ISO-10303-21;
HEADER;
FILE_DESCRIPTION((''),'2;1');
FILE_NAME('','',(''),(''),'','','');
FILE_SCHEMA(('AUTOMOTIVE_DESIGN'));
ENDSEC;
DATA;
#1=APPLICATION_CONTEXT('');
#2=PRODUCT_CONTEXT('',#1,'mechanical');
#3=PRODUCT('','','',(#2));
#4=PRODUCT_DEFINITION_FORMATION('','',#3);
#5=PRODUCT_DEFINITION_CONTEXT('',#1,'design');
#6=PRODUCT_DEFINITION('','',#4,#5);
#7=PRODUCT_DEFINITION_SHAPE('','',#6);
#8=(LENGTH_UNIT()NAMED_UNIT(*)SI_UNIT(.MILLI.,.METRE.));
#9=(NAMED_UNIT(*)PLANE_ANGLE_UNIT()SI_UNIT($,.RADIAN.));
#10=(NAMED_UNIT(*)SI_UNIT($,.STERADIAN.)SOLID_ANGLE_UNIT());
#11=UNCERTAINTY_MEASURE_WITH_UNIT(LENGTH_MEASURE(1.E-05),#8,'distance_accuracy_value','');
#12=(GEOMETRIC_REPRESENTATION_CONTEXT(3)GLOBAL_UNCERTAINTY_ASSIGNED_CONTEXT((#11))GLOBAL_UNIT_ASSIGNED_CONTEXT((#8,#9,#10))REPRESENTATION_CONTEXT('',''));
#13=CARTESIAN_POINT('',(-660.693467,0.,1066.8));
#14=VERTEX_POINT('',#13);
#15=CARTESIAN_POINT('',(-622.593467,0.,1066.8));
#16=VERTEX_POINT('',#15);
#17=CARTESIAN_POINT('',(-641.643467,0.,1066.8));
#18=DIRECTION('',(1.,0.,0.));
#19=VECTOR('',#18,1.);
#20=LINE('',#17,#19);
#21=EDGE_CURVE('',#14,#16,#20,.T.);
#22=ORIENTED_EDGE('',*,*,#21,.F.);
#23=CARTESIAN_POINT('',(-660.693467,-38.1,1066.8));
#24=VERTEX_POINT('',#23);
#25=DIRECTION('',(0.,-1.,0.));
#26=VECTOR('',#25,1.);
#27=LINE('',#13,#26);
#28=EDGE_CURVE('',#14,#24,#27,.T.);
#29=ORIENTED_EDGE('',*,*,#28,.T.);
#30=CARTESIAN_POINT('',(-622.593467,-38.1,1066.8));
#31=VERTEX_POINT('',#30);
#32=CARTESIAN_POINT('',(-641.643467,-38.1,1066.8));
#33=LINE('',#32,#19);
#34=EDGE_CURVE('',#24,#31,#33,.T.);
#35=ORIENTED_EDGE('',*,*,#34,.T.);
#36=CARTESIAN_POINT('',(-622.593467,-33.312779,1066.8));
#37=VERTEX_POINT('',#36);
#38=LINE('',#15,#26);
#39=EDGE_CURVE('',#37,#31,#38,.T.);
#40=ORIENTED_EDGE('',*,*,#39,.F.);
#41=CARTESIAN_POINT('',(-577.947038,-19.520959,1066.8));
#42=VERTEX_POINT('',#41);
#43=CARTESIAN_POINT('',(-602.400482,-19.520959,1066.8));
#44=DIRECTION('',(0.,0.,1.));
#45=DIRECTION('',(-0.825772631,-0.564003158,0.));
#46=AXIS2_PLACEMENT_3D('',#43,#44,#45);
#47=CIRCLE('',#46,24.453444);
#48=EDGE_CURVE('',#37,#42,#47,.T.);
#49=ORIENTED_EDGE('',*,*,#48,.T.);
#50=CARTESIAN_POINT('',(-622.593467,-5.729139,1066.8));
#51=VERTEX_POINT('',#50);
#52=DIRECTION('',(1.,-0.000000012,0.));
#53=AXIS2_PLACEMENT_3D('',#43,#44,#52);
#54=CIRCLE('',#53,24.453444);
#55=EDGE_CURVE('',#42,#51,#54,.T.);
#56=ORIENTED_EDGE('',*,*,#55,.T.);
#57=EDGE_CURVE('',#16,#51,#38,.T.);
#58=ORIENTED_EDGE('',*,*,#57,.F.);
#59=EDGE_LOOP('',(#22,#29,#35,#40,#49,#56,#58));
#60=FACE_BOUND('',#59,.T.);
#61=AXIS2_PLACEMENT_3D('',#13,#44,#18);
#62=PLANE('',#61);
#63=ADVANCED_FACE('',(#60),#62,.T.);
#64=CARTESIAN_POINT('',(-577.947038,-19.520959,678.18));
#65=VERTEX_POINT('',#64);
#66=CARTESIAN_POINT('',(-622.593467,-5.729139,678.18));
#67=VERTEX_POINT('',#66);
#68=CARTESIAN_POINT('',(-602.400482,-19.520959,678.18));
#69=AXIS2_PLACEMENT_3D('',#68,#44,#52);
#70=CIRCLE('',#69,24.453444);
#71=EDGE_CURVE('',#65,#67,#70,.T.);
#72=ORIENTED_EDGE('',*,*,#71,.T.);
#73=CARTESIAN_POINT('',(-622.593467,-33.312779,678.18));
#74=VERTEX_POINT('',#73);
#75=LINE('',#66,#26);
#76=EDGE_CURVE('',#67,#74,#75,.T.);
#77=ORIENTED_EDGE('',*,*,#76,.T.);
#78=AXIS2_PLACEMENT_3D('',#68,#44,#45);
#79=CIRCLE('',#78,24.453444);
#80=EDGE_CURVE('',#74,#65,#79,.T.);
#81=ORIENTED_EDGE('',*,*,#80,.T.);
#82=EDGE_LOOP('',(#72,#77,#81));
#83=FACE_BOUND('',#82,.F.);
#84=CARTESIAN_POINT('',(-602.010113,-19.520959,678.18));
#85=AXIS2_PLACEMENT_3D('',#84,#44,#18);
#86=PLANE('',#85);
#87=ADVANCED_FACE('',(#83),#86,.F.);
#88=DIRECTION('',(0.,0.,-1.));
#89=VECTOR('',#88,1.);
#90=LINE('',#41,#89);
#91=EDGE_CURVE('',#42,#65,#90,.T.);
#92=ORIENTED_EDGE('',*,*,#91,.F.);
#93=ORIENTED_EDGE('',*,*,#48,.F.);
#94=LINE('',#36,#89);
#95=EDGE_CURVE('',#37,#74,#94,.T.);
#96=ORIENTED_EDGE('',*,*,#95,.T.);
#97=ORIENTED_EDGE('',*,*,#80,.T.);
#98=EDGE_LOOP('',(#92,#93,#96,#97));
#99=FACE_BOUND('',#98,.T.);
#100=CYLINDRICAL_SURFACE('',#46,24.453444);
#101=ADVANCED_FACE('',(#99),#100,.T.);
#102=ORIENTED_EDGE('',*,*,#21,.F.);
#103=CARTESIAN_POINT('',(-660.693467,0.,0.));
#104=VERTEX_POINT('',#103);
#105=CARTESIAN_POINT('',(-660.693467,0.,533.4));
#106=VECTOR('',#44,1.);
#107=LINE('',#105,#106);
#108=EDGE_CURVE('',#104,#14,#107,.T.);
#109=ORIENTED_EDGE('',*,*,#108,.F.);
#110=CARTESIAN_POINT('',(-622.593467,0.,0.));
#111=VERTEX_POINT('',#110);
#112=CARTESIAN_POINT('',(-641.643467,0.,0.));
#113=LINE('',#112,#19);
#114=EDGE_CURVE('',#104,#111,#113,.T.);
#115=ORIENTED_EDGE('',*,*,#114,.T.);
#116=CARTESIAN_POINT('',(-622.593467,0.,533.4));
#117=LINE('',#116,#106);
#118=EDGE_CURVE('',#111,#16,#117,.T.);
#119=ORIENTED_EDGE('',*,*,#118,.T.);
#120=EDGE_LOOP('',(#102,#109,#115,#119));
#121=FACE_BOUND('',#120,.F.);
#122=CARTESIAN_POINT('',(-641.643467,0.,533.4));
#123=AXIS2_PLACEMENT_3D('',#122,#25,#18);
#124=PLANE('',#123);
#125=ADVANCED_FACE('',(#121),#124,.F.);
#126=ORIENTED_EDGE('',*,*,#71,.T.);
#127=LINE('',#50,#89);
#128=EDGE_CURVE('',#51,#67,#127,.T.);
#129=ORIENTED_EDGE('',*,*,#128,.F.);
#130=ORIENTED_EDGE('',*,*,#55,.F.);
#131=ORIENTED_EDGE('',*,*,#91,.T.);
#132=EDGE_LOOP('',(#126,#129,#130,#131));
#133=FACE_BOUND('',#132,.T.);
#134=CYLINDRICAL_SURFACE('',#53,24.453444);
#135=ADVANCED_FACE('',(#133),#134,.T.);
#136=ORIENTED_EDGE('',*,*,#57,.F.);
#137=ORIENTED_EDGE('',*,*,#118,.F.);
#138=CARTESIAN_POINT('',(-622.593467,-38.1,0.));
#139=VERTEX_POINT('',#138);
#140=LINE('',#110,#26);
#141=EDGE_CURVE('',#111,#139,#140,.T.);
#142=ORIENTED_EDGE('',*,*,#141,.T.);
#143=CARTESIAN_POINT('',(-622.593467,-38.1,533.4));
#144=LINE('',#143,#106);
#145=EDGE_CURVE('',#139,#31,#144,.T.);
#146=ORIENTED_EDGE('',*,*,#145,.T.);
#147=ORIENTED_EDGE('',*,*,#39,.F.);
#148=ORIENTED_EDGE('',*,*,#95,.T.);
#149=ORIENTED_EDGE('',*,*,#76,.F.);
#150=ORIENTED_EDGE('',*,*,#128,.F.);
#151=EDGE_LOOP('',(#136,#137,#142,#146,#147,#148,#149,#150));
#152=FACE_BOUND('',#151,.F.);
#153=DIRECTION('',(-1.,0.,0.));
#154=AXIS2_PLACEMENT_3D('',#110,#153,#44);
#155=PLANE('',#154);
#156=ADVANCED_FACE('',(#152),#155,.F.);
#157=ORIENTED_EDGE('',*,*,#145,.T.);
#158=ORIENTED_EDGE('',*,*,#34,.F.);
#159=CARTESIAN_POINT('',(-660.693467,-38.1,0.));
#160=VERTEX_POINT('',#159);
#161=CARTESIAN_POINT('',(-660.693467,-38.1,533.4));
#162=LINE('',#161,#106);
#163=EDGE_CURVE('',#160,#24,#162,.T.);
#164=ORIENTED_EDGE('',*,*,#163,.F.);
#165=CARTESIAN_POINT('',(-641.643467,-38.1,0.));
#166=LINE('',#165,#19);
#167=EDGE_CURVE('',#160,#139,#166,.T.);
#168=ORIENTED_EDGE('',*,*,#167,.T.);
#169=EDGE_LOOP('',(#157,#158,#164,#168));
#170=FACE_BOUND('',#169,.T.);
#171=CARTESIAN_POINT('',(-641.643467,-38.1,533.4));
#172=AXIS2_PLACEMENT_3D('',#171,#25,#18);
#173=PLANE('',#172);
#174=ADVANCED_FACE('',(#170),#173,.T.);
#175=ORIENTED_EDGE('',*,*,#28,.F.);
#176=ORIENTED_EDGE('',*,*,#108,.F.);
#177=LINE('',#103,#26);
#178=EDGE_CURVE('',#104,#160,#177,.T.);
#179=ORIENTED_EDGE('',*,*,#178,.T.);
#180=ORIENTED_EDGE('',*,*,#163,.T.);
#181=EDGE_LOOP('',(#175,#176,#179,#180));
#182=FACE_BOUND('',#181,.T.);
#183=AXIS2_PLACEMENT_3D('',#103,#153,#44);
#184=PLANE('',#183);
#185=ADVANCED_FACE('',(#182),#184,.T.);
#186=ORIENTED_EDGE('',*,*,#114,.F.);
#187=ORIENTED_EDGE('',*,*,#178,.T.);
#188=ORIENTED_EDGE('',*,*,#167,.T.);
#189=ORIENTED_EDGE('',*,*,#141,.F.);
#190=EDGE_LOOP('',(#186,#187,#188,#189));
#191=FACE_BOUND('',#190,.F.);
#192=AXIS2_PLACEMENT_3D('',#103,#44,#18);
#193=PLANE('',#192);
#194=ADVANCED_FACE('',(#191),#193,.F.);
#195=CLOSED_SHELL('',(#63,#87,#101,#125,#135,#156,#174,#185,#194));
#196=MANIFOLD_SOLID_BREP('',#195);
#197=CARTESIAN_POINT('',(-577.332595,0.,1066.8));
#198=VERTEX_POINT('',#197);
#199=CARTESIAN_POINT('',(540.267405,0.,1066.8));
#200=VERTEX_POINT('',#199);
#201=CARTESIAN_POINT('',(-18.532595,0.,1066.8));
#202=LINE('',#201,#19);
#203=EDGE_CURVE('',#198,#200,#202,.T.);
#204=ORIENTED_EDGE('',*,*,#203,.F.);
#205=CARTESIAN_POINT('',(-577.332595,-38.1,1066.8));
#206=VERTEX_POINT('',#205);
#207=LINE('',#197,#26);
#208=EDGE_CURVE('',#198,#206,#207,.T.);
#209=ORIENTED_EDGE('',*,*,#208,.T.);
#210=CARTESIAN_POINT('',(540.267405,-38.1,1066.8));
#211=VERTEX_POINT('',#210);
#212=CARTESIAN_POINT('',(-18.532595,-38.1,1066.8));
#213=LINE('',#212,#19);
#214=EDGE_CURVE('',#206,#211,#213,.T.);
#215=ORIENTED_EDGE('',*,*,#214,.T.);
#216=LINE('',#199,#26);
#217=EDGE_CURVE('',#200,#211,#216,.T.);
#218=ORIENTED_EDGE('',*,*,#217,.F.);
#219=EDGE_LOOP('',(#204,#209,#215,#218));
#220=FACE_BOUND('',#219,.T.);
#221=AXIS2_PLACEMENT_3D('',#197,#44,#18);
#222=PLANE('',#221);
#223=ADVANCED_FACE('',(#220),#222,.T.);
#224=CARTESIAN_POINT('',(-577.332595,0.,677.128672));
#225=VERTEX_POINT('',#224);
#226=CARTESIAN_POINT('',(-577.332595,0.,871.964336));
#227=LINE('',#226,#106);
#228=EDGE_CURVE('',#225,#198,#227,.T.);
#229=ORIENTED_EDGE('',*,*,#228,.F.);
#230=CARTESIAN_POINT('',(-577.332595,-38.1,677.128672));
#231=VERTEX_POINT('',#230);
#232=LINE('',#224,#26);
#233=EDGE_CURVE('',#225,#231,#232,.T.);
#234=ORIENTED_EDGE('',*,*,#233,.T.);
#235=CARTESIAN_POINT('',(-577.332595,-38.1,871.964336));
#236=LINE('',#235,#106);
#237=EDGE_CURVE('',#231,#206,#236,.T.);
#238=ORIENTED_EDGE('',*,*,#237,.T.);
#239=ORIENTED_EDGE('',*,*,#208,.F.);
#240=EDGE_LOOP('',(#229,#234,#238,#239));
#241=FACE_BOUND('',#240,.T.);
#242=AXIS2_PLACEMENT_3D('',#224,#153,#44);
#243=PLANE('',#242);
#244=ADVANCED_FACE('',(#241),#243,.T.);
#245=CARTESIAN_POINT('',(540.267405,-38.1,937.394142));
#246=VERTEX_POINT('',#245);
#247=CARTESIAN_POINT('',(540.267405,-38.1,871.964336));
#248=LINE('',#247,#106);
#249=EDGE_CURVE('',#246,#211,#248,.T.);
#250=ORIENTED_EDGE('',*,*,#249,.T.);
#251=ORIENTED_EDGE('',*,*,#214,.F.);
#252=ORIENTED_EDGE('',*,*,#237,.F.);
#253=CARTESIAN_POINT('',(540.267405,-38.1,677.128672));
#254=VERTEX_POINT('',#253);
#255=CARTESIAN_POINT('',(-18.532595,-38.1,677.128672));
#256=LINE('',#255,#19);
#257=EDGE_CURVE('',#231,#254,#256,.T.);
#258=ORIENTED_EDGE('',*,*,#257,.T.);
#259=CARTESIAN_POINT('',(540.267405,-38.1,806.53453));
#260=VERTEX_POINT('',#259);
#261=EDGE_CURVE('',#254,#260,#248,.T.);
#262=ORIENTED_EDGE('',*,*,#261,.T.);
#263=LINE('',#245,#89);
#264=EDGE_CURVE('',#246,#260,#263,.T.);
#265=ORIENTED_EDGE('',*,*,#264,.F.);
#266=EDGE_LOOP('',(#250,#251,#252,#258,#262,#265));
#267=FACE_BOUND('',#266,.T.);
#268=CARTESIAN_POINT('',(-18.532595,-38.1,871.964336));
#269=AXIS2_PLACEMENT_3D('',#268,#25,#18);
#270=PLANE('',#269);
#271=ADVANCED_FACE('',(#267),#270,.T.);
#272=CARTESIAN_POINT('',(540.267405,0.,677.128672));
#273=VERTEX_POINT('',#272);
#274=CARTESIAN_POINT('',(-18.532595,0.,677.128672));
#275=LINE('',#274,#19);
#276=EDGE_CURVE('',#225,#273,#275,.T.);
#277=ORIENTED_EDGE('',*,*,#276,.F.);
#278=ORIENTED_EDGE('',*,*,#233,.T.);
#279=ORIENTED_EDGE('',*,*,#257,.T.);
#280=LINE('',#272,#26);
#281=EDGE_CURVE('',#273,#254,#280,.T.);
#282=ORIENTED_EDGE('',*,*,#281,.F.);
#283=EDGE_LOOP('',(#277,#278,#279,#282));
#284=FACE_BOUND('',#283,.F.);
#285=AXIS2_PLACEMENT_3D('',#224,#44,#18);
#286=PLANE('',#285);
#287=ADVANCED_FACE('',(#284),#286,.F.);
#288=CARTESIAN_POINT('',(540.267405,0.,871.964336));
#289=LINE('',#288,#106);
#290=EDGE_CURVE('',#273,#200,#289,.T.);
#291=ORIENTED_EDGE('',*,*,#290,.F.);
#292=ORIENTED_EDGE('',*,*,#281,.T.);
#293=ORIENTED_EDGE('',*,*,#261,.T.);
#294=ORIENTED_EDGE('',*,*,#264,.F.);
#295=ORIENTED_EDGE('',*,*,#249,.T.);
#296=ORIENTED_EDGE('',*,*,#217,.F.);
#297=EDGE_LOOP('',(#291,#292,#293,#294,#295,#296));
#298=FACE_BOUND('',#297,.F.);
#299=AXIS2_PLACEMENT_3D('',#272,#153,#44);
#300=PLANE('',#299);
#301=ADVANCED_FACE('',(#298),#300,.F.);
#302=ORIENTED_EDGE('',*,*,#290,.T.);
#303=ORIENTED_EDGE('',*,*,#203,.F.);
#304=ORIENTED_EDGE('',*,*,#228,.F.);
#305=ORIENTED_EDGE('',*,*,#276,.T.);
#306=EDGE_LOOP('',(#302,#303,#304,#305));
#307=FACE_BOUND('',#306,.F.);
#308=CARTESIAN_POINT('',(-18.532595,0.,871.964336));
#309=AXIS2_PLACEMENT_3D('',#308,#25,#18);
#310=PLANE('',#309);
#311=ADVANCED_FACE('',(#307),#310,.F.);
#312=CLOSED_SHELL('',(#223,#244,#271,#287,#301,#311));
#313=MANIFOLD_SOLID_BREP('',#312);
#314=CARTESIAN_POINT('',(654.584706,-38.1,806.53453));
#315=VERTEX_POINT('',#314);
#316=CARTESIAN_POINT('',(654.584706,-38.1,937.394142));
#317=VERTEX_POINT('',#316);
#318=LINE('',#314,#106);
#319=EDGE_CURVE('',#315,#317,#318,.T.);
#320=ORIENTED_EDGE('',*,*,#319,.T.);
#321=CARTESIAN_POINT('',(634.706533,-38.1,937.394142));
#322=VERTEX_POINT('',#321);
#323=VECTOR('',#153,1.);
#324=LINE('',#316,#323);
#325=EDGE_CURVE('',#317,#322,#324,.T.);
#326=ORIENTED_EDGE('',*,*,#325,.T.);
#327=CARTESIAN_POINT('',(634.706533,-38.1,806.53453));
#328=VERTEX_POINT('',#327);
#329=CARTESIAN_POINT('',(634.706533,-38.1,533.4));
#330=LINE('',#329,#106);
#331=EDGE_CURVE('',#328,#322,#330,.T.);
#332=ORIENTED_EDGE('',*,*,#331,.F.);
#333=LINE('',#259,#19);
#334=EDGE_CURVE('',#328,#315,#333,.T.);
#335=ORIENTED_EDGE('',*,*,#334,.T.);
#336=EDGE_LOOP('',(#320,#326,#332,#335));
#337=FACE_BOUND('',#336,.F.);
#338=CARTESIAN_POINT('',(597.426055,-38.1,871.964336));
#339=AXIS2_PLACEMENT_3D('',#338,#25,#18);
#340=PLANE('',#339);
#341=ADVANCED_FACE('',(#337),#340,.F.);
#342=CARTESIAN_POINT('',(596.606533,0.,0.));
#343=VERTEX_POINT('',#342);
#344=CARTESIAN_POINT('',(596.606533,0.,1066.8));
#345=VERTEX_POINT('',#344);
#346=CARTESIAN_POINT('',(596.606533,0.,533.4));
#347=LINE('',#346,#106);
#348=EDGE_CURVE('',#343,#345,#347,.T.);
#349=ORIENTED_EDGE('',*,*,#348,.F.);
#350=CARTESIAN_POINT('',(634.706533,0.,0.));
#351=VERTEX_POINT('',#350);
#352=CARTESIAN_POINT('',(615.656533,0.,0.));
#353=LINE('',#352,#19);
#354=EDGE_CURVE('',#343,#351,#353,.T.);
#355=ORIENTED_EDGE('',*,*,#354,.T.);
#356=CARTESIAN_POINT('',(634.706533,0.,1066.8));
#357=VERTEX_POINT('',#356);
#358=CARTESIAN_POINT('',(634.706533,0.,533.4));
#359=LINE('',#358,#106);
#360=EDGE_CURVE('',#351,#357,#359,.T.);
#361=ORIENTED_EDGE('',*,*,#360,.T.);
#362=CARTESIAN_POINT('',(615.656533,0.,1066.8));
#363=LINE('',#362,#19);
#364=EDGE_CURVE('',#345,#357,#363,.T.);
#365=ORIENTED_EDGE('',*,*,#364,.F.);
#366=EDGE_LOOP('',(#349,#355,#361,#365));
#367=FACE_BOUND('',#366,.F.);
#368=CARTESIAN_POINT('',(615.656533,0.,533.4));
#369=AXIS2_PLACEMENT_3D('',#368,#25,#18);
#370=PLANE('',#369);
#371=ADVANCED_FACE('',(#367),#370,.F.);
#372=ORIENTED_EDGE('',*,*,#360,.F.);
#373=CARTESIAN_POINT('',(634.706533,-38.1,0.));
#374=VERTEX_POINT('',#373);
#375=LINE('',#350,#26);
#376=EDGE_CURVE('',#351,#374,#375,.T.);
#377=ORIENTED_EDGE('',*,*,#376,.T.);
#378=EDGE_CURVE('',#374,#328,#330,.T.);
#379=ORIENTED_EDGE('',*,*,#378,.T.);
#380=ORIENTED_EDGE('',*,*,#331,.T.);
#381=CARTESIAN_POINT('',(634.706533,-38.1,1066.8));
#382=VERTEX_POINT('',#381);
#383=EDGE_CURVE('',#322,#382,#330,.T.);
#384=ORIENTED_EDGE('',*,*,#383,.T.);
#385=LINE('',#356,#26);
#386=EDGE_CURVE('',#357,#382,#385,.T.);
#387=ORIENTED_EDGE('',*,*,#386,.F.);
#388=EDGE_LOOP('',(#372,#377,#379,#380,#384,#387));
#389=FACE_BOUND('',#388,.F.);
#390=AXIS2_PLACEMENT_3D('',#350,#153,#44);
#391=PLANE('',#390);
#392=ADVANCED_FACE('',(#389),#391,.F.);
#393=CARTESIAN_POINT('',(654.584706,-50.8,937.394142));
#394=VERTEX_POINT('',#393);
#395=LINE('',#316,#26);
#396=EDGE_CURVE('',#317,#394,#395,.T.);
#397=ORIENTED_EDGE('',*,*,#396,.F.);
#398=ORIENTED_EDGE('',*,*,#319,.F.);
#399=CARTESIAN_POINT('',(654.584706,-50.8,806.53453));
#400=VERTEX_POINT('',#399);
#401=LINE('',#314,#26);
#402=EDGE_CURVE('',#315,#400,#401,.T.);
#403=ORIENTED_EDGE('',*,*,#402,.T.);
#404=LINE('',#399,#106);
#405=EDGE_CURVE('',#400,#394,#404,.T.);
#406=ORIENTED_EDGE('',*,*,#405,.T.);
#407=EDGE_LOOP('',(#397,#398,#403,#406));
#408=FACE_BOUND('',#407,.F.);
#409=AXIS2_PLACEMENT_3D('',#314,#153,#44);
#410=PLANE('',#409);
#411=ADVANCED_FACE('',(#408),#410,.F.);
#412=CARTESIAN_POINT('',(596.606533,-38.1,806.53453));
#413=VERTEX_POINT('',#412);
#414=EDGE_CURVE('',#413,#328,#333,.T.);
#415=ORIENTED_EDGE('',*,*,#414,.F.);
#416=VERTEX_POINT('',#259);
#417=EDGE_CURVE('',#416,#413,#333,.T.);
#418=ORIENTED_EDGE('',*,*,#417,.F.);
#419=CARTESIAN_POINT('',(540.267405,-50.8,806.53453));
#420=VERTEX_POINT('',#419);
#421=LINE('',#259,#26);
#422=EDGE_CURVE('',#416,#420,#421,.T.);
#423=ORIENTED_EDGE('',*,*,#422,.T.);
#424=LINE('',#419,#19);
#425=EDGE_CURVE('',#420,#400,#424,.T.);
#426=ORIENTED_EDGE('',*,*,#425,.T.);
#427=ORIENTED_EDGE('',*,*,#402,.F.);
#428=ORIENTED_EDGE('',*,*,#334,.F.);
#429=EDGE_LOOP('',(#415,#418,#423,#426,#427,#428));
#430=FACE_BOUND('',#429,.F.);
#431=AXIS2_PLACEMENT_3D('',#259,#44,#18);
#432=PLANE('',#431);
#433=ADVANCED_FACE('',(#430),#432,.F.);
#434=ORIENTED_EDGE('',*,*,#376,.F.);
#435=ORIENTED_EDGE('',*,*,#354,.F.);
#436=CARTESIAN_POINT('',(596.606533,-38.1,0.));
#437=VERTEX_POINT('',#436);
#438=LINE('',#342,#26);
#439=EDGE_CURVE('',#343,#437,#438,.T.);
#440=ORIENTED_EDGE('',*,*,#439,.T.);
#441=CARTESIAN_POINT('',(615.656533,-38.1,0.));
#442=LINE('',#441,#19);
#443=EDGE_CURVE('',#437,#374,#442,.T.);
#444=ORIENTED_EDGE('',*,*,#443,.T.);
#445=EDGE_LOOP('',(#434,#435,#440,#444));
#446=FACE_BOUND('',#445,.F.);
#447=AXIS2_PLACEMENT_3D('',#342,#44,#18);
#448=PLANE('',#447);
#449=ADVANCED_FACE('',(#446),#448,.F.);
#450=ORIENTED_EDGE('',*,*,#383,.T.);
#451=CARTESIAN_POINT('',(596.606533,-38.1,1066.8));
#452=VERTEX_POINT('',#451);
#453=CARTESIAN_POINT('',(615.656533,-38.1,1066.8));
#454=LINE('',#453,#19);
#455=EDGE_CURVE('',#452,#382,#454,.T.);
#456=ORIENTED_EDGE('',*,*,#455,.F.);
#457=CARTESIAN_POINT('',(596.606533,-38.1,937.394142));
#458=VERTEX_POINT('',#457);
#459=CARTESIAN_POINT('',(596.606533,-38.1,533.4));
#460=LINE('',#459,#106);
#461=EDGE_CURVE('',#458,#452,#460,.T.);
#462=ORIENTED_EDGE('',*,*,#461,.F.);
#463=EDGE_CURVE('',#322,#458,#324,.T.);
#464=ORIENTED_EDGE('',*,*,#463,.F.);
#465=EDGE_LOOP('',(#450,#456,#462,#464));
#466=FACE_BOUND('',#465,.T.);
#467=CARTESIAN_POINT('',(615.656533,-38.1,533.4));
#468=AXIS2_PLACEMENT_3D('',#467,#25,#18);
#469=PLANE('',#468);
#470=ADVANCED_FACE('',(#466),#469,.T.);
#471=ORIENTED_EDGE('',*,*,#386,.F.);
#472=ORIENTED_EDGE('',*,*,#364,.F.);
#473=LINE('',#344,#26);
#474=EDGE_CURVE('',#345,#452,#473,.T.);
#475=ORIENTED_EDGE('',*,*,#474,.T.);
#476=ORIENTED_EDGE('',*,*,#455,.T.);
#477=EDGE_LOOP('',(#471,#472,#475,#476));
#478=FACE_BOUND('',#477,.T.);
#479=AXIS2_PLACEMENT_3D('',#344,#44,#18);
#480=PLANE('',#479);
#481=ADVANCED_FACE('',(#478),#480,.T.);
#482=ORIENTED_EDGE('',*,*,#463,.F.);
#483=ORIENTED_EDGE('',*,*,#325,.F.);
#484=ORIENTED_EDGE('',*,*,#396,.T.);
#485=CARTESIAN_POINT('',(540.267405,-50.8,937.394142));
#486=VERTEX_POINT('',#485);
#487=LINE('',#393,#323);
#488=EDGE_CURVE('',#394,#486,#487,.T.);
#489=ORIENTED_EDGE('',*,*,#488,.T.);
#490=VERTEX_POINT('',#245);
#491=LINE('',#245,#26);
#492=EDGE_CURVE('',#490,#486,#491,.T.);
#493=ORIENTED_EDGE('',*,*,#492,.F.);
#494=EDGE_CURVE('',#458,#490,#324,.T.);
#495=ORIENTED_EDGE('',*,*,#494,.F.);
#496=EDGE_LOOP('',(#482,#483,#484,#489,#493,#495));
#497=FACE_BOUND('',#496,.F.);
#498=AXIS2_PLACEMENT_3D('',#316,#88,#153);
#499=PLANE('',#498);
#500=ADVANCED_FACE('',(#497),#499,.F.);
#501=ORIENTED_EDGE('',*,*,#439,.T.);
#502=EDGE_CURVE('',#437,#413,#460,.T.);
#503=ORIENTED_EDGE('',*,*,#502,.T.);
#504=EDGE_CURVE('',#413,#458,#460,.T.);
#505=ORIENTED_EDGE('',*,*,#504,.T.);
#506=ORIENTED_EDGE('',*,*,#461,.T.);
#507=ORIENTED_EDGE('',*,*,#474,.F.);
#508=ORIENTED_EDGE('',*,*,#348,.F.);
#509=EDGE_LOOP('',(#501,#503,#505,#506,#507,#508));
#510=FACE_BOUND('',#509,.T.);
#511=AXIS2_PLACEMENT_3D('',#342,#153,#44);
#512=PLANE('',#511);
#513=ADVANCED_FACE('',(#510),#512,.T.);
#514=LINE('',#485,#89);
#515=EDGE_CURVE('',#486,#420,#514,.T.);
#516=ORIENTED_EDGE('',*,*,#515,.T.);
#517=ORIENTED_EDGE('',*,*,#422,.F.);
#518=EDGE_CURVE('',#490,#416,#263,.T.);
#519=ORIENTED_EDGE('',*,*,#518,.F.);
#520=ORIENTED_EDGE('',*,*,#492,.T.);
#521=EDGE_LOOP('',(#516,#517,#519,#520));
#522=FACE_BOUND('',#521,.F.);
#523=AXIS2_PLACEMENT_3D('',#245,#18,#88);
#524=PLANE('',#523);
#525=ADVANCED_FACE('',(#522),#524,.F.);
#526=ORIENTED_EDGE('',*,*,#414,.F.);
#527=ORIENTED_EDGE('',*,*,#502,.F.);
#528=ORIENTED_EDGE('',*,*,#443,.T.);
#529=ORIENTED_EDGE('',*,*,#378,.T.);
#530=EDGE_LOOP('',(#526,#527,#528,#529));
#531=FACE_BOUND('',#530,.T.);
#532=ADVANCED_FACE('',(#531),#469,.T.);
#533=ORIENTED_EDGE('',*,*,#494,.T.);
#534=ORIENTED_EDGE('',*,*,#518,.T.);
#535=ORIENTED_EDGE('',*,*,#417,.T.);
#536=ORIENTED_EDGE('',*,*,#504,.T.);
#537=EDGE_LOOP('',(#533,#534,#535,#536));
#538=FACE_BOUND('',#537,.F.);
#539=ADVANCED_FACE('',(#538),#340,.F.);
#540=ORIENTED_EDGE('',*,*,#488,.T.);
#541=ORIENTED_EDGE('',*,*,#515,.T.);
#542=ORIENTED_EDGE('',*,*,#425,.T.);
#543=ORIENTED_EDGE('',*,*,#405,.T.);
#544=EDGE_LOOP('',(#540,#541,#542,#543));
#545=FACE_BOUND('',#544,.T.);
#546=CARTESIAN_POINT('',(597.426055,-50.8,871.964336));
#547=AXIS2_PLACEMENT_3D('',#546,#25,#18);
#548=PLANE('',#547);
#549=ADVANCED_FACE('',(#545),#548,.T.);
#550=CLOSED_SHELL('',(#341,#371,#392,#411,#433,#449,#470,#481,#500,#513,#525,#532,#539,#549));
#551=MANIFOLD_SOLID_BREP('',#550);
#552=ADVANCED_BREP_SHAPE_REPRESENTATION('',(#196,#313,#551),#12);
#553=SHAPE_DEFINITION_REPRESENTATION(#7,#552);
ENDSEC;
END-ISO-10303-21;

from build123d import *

# Parameters (mm, degrees)
F0_W     = 38.1
F0_H     = 1066.8
F0_W_2   = 1117.6
F0_H_2   = 389.671327
F1_DEPTH = 38.1
F3_DEPTH = 388.62
F5_DEPTH = 12.7


with BuildPart() as f1:
    # F0 (on Front) → F1 (new body)
    with BuildSketch(Plane.XZ):
        with Locations((615.656533, 533.4)):
            Rectangle(F0_W, F0_H)
        with Locations((-641.643467, 533.4)):
            Rectangle(F0_W, F0_H)
        with Locations((-18.532595, 871.964336)):
            Rectangle(F0_W_2, F0_H_2)
    extrude(amount=F1_DEPTH)

    # F2 (on face) → F3 (join)
    with BuildSketch(Plane.XY.offset(1066.8)):
        with BuildLine():
            ThreePointArc((-622.593467, -33.312779), (-595.183041, -42.885023), (-577.947038, -19.520959))
            ThreePointArc((-577.947038, -19.520959), (-595.183041, 3.843105), (-622.593467, -5.729139))
            Line((-622.593467, -5.729139), (-622.593467, -33.312779))
        make_face()
    extrude(amount=-F3_DEPTH)

    # F4 (on face) → F5 (join)
    with BuildSketch(Plane.XZ.offset(38.1)):
        Polygon((654.584706, 806.53453), (654.584706, 871.964336), (654.584706, 937.394142), (540.267405, 937.394142), (540.267405, 871.964336), (540.267405, 806.53453), align=None)
    extrude(amount=F5_DEPTH)


solid = f1.part
